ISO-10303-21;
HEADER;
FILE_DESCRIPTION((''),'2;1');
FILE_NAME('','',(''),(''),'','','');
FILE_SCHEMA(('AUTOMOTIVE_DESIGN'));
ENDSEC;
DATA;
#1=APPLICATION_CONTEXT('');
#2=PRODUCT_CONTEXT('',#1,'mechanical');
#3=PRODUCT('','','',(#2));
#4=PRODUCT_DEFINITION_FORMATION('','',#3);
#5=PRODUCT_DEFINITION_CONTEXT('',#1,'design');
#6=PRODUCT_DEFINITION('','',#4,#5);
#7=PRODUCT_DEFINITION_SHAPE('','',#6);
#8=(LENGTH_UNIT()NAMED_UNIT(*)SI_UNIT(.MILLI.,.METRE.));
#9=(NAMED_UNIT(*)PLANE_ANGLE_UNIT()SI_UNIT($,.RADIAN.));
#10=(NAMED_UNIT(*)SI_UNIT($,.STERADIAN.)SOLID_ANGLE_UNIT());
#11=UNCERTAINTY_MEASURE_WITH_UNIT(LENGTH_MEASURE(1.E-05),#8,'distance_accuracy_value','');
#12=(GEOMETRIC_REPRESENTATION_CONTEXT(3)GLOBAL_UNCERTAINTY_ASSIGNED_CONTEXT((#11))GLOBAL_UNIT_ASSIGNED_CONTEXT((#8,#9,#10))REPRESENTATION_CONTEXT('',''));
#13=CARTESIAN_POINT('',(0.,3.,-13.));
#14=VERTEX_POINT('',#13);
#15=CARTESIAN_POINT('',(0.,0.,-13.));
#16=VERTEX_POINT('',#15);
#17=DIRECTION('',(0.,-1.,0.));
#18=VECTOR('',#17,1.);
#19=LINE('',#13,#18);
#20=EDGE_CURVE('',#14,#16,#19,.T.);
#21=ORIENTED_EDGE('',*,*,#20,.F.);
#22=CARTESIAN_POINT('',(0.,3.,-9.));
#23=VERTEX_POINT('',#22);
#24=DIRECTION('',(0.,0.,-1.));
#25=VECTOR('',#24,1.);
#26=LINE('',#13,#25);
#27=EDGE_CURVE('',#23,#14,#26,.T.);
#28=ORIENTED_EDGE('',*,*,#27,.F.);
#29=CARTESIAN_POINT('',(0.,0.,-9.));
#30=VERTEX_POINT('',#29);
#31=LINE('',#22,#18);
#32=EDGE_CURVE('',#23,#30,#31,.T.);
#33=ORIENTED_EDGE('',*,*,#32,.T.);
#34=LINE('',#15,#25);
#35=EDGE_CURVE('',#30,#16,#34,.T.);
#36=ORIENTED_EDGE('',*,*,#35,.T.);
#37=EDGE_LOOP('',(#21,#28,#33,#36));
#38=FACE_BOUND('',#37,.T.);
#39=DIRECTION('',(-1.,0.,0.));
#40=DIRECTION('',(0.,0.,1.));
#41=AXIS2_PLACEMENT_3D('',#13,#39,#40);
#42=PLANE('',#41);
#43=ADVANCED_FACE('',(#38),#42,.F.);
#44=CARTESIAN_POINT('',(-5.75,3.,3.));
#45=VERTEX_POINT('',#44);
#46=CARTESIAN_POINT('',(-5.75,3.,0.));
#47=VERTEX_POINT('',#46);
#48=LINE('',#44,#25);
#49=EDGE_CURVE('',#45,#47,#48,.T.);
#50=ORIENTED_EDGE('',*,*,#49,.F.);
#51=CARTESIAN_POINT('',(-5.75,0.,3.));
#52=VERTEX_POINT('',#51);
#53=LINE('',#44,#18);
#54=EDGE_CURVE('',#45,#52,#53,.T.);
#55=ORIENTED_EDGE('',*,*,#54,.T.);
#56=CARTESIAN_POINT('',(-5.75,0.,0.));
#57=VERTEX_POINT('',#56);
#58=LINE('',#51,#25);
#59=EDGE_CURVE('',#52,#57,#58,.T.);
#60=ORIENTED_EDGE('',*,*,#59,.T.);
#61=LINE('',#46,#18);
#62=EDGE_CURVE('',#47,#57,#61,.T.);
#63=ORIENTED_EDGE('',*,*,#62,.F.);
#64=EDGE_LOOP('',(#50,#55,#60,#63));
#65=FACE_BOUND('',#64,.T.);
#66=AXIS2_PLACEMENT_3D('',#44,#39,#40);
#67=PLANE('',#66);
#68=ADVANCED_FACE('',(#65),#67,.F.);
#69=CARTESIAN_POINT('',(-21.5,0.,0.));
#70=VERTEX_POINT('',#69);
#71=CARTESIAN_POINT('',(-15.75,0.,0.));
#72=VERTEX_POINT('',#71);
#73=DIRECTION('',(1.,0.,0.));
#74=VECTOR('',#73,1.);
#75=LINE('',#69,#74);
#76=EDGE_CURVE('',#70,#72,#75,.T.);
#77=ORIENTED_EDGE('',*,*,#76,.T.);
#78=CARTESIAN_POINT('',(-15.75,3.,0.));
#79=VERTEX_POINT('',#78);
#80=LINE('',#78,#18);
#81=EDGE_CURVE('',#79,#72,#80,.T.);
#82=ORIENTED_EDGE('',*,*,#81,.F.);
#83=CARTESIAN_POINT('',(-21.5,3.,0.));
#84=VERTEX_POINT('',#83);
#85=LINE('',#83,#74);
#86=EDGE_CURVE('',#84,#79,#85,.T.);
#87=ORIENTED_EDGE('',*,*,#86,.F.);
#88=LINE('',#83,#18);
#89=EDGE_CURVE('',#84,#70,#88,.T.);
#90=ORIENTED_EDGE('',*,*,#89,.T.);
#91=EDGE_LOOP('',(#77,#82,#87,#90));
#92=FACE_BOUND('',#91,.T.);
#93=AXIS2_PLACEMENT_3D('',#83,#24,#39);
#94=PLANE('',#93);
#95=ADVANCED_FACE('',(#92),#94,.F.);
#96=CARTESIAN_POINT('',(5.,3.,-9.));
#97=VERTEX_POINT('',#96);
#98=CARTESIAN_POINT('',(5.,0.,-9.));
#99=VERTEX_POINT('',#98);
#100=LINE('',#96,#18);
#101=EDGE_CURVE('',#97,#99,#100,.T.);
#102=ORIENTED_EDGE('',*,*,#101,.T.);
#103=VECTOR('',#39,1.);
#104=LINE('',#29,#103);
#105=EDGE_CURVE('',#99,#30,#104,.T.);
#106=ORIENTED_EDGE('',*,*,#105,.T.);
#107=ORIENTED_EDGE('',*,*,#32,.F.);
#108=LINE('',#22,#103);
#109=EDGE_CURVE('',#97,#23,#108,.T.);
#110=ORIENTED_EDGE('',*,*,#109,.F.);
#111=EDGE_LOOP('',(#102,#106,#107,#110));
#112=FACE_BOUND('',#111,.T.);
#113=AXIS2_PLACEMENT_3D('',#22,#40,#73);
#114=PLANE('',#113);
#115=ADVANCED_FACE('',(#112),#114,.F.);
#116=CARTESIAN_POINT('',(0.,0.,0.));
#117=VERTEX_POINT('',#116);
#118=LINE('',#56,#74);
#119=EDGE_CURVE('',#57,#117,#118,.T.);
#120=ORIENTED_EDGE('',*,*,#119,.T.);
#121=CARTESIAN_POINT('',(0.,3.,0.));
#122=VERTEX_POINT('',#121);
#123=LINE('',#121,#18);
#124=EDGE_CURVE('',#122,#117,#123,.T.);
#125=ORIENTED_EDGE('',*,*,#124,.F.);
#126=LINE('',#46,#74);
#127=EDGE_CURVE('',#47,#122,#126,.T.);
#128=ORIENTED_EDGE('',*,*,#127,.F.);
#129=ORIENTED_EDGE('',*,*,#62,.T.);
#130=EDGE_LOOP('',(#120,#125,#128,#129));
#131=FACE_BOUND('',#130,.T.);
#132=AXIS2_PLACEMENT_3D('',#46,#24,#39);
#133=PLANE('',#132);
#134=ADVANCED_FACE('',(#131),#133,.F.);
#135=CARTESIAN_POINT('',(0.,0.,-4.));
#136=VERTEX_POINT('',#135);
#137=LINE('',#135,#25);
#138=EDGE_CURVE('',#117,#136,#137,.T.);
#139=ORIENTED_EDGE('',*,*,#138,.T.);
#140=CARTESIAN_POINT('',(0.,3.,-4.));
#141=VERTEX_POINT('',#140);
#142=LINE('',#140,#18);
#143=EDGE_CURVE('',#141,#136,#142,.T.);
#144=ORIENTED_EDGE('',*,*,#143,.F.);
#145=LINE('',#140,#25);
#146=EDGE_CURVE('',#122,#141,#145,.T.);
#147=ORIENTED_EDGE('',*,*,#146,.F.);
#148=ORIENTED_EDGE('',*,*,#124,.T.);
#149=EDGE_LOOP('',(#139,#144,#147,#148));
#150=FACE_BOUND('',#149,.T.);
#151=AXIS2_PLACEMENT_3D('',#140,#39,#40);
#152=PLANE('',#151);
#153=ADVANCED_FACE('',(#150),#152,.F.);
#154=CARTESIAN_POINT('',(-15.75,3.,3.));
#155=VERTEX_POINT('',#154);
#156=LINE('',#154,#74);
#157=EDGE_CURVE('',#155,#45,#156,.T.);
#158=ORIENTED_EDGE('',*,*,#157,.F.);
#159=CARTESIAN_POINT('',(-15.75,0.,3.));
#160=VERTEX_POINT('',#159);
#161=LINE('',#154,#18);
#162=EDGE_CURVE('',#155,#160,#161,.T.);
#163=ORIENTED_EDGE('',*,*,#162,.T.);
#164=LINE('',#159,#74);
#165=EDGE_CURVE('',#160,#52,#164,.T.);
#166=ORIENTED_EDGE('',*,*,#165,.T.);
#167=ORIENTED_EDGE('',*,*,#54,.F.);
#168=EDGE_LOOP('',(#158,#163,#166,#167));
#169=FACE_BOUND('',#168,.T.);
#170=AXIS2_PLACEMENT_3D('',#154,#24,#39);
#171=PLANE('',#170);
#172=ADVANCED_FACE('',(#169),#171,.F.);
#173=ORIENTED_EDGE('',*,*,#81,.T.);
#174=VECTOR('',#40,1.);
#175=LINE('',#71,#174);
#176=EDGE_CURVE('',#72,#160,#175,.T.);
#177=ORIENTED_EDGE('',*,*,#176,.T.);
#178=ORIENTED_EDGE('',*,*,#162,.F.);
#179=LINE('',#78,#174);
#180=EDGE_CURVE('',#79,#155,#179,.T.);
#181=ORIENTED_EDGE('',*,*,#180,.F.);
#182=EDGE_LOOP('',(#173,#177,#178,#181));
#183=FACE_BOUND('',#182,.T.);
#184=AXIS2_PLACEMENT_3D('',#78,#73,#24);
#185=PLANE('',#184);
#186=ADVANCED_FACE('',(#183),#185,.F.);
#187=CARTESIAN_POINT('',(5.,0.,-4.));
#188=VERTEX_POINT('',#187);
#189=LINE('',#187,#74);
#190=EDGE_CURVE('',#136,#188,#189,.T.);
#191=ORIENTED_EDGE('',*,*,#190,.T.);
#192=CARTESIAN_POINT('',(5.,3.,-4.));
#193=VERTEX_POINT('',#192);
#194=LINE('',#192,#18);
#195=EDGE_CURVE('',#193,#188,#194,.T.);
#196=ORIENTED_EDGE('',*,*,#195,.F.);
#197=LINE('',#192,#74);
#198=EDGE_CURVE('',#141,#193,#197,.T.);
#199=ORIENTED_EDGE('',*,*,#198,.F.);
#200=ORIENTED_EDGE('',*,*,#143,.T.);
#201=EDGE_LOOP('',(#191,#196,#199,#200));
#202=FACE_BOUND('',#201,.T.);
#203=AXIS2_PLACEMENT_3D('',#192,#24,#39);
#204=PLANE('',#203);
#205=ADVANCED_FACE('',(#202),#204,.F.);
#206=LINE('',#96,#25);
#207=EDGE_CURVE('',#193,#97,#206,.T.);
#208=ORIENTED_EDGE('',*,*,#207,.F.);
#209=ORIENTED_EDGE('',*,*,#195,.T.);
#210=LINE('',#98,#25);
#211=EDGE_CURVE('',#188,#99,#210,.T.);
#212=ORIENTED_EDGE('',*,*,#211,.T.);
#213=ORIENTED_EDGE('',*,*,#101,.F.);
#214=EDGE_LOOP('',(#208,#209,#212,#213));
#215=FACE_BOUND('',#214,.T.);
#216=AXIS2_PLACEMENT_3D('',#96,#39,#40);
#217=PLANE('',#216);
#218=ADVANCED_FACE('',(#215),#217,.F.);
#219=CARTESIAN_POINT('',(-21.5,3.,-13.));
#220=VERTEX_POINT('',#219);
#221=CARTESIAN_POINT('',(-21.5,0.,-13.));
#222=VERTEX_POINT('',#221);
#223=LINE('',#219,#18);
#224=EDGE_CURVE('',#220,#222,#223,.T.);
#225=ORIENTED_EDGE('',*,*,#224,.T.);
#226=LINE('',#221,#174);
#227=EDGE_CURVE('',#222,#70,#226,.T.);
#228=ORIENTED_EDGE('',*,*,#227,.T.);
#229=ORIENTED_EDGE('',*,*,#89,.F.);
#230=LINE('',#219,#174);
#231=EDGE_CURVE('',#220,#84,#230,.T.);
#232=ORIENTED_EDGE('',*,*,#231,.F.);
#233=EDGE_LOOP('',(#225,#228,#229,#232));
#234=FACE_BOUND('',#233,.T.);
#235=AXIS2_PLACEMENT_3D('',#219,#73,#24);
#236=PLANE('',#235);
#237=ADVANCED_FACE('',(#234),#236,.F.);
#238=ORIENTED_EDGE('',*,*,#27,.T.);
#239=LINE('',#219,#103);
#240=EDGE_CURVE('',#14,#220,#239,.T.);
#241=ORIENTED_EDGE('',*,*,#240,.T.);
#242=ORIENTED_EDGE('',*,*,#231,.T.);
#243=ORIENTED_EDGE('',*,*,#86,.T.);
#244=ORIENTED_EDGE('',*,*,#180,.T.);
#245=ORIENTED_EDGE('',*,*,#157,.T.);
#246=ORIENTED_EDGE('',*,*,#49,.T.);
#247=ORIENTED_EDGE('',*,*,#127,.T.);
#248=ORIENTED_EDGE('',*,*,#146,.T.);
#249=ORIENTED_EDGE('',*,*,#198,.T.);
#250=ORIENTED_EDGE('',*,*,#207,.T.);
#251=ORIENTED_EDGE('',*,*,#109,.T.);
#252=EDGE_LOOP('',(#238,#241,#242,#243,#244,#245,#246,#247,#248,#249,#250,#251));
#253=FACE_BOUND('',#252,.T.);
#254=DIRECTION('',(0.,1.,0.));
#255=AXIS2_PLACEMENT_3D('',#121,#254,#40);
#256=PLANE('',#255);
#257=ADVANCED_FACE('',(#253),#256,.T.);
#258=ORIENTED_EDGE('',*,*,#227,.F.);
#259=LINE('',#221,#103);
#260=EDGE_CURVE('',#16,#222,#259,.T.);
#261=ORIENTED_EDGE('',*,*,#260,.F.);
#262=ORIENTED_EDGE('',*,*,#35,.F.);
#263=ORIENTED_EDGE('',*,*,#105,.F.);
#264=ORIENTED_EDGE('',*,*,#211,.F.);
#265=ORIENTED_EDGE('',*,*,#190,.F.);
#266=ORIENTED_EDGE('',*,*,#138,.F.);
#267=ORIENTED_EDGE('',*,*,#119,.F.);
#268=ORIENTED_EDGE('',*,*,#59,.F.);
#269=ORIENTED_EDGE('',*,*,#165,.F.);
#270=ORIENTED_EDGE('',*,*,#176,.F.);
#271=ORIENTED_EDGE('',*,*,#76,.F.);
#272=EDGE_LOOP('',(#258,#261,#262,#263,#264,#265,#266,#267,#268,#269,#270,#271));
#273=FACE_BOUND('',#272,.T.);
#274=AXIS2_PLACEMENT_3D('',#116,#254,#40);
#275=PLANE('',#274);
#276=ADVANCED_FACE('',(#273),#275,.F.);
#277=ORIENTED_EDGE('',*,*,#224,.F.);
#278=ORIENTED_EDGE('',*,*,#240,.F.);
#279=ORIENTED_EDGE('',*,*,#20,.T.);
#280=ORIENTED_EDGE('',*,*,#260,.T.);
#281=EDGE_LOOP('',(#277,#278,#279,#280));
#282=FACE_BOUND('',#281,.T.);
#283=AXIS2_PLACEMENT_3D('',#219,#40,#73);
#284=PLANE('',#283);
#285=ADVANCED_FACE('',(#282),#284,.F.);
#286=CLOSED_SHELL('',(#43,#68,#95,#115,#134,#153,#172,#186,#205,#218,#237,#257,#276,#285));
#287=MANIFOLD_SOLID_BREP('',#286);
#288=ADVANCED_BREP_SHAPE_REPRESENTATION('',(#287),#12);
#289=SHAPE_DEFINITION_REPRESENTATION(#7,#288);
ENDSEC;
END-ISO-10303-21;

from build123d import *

# Parameters (mm, degrees)
BOSS_EXTRUDE1_DEPTH = 3


with BuildPart() as part:
    # Sketch1 → Boss-Extrude1 (new body)
    with BuildSketch(Plane(origin=(0, 0, 0), x_dir=(1, 0, 0), z_dir=(0, 1, 0))):
        Polygon((-15.75, 0), (-15.75, -3), (-5.75, -3), (-5.75, 0), (0, 0), (0, 4), (5, 4), (5, 9), (0, 9), (0, 13), (-21.5, 13), (-21.5, 0), align=None)
    extrude(amount=BOSS_EXTRUDE1_DEPTH)


solid = part.part
